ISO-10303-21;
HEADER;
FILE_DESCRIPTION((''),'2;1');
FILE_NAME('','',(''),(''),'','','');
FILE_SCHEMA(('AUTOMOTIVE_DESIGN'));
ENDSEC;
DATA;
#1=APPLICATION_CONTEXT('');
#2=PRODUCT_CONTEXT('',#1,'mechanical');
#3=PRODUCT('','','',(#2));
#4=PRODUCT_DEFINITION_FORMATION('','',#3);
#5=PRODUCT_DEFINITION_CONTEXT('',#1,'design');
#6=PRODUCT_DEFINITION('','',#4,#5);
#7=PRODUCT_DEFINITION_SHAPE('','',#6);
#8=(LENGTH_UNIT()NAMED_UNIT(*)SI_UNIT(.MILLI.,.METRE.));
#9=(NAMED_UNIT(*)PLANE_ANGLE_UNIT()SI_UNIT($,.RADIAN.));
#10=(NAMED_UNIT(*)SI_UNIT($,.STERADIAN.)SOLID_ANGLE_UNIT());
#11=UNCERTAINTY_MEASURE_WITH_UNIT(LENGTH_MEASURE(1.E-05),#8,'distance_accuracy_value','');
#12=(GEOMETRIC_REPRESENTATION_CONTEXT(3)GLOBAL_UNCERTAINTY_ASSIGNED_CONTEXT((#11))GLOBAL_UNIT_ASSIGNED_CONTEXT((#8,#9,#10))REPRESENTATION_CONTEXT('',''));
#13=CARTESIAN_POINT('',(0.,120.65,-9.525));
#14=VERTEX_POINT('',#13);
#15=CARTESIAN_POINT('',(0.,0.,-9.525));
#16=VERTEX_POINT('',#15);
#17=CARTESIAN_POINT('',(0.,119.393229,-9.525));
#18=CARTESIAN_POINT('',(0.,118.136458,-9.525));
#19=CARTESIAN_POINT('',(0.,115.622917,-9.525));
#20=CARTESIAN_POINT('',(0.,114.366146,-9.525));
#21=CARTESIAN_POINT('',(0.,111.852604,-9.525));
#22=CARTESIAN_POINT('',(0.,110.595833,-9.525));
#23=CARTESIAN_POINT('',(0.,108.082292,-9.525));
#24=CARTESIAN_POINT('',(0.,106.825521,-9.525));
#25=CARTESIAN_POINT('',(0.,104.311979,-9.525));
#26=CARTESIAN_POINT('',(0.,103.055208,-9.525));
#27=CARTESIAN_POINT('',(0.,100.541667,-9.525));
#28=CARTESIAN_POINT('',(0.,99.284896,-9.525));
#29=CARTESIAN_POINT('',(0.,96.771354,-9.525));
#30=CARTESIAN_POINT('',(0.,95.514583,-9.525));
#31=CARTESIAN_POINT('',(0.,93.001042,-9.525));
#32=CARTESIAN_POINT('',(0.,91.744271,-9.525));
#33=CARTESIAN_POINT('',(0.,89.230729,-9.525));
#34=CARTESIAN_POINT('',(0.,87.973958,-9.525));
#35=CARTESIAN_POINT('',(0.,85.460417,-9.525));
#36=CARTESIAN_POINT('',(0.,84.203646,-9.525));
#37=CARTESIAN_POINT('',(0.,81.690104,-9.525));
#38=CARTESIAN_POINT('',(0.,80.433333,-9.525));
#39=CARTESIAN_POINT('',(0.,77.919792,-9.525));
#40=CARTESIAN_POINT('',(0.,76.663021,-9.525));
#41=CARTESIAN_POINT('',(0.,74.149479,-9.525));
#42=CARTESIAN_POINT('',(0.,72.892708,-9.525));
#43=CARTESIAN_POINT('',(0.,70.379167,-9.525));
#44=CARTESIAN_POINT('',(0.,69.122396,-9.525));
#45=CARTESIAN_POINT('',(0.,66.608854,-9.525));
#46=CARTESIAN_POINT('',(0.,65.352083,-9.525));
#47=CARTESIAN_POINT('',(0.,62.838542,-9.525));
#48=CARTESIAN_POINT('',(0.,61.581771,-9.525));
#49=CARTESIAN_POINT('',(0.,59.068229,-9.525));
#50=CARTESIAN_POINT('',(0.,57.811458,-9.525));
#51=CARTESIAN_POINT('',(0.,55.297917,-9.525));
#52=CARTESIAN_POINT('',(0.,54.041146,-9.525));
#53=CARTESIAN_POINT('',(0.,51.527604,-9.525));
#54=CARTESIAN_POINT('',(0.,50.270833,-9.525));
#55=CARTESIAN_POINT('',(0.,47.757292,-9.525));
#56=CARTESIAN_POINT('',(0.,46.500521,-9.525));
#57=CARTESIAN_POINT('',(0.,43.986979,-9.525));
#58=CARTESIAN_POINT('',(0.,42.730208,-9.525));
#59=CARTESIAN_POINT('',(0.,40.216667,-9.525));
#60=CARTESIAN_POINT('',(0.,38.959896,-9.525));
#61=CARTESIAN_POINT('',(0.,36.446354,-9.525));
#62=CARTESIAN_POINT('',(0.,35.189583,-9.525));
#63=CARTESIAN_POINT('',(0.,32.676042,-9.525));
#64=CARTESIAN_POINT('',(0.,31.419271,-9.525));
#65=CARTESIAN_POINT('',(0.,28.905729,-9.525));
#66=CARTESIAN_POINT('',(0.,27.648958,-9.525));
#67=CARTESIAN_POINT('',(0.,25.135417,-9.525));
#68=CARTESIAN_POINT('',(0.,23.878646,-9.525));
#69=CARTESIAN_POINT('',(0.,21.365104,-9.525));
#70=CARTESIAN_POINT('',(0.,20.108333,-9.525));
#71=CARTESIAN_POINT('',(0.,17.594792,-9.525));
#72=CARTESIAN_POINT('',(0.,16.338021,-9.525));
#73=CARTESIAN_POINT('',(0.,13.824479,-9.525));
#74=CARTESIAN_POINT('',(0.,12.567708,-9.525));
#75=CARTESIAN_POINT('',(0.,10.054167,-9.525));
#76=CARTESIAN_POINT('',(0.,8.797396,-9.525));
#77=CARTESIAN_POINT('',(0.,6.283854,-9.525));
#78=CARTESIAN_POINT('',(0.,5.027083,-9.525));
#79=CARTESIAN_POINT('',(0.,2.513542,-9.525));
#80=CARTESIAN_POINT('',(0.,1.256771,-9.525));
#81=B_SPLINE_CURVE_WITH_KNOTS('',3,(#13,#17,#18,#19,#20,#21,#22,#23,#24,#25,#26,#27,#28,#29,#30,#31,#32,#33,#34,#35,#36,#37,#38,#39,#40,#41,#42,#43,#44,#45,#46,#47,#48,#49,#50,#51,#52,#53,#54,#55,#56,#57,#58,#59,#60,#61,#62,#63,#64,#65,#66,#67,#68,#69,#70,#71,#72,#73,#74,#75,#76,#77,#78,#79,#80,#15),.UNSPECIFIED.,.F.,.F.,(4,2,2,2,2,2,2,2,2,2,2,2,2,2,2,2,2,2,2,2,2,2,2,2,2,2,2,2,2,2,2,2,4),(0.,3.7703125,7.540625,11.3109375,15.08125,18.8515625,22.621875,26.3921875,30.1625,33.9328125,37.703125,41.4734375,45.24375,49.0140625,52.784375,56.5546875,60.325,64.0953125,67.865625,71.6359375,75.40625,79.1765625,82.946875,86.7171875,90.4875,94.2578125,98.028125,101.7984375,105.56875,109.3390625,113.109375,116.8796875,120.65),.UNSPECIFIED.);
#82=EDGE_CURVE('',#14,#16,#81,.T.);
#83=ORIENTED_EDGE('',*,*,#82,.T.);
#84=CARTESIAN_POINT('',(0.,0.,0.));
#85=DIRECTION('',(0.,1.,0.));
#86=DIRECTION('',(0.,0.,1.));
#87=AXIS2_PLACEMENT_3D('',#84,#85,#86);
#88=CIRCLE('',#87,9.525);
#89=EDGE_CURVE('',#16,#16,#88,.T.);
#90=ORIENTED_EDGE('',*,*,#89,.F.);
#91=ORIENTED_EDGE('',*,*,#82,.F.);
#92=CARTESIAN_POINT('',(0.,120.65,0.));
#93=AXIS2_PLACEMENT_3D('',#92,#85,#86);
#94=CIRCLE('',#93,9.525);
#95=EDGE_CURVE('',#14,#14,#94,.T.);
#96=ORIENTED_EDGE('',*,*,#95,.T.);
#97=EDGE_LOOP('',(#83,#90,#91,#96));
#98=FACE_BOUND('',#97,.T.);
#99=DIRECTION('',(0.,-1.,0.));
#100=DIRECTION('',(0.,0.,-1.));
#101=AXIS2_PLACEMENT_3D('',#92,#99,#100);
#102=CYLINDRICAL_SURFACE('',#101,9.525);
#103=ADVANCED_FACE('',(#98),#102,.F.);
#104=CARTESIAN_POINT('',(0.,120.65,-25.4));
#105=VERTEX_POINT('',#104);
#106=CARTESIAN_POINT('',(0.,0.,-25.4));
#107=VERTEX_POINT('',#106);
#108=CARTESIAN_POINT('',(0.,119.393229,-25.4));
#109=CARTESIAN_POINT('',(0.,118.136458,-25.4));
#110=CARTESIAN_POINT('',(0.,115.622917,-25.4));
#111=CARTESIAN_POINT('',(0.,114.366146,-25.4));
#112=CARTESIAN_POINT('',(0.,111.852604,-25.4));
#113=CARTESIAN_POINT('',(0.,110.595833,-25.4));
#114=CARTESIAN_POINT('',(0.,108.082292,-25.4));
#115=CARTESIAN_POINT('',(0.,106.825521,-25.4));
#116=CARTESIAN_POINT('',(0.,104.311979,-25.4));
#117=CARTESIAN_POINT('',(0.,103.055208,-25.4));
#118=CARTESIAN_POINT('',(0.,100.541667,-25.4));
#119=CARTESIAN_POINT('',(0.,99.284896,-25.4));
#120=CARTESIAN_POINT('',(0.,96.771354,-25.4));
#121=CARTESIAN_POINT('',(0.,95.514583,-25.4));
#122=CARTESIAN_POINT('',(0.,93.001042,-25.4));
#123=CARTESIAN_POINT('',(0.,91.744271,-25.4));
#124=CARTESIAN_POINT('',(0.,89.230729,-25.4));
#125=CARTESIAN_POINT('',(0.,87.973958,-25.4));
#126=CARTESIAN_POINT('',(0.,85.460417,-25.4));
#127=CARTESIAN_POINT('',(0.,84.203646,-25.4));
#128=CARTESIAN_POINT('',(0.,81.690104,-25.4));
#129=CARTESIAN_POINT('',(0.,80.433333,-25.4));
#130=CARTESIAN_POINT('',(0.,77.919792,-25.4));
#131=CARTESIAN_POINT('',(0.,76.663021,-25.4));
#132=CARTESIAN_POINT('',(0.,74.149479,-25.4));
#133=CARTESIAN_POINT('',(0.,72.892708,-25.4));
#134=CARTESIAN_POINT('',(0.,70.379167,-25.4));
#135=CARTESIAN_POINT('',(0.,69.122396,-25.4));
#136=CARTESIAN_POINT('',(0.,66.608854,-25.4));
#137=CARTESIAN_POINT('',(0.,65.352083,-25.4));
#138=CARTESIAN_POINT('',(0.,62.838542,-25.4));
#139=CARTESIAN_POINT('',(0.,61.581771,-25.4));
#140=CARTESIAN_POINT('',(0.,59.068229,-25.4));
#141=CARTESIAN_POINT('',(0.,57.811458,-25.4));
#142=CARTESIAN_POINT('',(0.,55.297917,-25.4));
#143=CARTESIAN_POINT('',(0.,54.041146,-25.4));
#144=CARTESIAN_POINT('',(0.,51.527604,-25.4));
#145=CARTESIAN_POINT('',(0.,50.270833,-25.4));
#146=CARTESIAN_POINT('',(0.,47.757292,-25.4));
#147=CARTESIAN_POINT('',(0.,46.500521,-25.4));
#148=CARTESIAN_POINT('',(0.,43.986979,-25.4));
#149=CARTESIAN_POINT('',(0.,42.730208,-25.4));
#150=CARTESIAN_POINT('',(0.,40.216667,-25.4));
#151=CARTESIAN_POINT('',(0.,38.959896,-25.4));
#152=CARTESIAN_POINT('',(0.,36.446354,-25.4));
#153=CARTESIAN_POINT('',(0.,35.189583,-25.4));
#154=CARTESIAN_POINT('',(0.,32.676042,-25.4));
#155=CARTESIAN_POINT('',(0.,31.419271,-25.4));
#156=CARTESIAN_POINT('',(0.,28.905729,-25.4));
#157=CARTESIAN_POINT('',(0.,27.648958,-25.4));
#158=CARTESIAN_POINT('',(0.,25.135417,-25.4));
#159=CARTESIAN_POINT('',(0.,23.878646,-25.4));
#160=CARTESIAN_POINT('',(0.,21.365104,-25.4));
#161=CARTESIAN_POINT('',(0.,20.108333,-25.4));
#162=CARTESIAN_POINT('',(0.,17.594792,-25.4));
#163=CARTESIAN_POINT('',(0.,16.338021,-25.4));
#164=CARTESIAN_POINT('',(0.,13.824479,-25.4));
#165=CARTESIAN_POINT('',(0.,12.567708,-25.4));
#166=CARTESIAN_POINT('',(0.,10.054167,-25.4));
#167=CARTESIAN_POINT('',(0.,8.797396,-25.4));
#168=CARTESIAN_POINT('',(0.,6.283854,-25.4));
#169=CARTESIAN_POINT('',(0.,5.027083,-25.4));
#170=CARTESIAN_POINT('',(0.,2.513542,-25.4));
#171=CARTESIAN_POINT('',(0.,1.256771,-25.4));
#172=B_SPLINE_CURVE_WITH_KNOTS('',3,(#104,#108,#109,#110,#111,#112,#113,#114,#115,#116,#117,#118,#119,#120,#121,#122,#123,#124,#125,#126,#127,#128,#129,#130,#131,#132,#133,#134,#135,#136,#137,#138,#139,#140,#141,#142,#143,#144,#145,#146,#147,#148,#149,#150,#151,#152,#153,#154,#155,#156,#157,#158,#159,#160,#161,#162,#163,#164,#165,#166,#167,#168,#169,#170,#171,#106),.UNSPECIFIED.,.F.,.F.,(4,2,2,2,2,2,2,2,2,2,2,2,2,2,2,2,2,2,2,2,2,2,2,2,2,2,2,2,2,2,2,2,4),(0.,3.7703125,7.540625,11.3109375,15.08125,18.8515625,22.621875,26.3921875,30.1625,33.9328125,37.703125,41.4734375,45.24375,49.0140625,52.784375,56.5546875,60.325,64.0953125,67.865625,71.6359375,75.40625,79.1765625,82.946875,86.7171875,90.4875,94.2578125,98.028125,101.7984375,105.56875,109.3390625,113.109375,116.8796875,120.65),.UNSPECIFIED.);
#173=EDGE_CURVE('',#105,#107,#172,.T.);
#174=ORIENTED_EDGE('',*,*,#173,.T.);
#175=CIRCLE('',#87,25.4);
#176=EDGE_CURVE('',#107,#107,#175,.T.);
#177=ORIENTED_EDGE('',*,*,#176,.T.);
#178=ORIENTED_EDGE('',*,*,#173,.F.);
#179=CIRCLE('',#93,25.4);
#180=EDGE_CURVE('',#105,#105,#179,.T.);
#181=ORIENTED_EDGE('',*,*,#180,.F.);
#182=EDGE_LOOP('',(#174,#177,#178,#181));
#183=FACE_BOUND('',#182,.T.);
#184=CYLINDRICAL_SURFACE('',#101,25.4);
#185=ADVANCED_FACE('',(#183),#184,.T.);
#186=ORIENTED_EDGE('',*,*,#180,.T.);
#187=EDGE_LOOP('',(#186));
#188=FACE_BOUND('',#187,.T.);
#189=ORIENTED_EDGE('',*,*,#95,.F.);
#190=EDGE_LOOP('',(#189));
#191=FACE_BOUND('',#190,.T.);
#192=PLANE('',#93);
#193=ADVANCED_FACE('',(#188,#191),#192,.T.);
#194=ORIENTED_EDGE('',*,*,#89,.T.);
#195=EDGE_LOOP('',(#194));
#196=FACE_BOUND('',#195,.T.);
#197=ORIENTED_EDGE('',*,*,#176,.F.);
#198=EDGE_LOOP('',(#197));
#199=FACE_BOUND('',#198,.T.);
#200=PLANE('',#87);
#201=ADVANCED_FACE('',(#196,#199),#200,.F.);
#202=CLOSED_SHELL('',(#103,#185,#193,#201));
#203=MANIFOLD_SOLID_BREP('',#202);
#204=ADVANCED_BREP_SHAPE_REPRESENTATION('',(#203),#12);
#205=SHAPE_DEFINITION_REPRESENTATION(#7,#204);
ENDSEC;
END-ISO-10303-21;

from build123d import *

# Parameters (mm, degrees)
SKETCH1_R           = 25.4
SKETCH1_R_2         = 9.525
BOSS_EXTRUDE1_DEPTH = 120.65


with BuildPart() as part:
    # Sketch1 → Boss-Extrude1 (new body)
    with BuildSketch(Plane(origin=(0, 0, 0), x_dir=(1, 0, 0), z_dir=(0, 1, 0))):
        with Locations(Location((0, 0, 0), (0, 0, 90))):
            Circle(SKETCH1_R)
        with Locations(Location((0, 0, 0), (0, 0, 90))):
            Circle(SKETCH1_R_2, mode=Mode.SUBTRACT)
    extrude(amount=BOSS_EXTRUDE1_DEPTH)


solid = part.part
